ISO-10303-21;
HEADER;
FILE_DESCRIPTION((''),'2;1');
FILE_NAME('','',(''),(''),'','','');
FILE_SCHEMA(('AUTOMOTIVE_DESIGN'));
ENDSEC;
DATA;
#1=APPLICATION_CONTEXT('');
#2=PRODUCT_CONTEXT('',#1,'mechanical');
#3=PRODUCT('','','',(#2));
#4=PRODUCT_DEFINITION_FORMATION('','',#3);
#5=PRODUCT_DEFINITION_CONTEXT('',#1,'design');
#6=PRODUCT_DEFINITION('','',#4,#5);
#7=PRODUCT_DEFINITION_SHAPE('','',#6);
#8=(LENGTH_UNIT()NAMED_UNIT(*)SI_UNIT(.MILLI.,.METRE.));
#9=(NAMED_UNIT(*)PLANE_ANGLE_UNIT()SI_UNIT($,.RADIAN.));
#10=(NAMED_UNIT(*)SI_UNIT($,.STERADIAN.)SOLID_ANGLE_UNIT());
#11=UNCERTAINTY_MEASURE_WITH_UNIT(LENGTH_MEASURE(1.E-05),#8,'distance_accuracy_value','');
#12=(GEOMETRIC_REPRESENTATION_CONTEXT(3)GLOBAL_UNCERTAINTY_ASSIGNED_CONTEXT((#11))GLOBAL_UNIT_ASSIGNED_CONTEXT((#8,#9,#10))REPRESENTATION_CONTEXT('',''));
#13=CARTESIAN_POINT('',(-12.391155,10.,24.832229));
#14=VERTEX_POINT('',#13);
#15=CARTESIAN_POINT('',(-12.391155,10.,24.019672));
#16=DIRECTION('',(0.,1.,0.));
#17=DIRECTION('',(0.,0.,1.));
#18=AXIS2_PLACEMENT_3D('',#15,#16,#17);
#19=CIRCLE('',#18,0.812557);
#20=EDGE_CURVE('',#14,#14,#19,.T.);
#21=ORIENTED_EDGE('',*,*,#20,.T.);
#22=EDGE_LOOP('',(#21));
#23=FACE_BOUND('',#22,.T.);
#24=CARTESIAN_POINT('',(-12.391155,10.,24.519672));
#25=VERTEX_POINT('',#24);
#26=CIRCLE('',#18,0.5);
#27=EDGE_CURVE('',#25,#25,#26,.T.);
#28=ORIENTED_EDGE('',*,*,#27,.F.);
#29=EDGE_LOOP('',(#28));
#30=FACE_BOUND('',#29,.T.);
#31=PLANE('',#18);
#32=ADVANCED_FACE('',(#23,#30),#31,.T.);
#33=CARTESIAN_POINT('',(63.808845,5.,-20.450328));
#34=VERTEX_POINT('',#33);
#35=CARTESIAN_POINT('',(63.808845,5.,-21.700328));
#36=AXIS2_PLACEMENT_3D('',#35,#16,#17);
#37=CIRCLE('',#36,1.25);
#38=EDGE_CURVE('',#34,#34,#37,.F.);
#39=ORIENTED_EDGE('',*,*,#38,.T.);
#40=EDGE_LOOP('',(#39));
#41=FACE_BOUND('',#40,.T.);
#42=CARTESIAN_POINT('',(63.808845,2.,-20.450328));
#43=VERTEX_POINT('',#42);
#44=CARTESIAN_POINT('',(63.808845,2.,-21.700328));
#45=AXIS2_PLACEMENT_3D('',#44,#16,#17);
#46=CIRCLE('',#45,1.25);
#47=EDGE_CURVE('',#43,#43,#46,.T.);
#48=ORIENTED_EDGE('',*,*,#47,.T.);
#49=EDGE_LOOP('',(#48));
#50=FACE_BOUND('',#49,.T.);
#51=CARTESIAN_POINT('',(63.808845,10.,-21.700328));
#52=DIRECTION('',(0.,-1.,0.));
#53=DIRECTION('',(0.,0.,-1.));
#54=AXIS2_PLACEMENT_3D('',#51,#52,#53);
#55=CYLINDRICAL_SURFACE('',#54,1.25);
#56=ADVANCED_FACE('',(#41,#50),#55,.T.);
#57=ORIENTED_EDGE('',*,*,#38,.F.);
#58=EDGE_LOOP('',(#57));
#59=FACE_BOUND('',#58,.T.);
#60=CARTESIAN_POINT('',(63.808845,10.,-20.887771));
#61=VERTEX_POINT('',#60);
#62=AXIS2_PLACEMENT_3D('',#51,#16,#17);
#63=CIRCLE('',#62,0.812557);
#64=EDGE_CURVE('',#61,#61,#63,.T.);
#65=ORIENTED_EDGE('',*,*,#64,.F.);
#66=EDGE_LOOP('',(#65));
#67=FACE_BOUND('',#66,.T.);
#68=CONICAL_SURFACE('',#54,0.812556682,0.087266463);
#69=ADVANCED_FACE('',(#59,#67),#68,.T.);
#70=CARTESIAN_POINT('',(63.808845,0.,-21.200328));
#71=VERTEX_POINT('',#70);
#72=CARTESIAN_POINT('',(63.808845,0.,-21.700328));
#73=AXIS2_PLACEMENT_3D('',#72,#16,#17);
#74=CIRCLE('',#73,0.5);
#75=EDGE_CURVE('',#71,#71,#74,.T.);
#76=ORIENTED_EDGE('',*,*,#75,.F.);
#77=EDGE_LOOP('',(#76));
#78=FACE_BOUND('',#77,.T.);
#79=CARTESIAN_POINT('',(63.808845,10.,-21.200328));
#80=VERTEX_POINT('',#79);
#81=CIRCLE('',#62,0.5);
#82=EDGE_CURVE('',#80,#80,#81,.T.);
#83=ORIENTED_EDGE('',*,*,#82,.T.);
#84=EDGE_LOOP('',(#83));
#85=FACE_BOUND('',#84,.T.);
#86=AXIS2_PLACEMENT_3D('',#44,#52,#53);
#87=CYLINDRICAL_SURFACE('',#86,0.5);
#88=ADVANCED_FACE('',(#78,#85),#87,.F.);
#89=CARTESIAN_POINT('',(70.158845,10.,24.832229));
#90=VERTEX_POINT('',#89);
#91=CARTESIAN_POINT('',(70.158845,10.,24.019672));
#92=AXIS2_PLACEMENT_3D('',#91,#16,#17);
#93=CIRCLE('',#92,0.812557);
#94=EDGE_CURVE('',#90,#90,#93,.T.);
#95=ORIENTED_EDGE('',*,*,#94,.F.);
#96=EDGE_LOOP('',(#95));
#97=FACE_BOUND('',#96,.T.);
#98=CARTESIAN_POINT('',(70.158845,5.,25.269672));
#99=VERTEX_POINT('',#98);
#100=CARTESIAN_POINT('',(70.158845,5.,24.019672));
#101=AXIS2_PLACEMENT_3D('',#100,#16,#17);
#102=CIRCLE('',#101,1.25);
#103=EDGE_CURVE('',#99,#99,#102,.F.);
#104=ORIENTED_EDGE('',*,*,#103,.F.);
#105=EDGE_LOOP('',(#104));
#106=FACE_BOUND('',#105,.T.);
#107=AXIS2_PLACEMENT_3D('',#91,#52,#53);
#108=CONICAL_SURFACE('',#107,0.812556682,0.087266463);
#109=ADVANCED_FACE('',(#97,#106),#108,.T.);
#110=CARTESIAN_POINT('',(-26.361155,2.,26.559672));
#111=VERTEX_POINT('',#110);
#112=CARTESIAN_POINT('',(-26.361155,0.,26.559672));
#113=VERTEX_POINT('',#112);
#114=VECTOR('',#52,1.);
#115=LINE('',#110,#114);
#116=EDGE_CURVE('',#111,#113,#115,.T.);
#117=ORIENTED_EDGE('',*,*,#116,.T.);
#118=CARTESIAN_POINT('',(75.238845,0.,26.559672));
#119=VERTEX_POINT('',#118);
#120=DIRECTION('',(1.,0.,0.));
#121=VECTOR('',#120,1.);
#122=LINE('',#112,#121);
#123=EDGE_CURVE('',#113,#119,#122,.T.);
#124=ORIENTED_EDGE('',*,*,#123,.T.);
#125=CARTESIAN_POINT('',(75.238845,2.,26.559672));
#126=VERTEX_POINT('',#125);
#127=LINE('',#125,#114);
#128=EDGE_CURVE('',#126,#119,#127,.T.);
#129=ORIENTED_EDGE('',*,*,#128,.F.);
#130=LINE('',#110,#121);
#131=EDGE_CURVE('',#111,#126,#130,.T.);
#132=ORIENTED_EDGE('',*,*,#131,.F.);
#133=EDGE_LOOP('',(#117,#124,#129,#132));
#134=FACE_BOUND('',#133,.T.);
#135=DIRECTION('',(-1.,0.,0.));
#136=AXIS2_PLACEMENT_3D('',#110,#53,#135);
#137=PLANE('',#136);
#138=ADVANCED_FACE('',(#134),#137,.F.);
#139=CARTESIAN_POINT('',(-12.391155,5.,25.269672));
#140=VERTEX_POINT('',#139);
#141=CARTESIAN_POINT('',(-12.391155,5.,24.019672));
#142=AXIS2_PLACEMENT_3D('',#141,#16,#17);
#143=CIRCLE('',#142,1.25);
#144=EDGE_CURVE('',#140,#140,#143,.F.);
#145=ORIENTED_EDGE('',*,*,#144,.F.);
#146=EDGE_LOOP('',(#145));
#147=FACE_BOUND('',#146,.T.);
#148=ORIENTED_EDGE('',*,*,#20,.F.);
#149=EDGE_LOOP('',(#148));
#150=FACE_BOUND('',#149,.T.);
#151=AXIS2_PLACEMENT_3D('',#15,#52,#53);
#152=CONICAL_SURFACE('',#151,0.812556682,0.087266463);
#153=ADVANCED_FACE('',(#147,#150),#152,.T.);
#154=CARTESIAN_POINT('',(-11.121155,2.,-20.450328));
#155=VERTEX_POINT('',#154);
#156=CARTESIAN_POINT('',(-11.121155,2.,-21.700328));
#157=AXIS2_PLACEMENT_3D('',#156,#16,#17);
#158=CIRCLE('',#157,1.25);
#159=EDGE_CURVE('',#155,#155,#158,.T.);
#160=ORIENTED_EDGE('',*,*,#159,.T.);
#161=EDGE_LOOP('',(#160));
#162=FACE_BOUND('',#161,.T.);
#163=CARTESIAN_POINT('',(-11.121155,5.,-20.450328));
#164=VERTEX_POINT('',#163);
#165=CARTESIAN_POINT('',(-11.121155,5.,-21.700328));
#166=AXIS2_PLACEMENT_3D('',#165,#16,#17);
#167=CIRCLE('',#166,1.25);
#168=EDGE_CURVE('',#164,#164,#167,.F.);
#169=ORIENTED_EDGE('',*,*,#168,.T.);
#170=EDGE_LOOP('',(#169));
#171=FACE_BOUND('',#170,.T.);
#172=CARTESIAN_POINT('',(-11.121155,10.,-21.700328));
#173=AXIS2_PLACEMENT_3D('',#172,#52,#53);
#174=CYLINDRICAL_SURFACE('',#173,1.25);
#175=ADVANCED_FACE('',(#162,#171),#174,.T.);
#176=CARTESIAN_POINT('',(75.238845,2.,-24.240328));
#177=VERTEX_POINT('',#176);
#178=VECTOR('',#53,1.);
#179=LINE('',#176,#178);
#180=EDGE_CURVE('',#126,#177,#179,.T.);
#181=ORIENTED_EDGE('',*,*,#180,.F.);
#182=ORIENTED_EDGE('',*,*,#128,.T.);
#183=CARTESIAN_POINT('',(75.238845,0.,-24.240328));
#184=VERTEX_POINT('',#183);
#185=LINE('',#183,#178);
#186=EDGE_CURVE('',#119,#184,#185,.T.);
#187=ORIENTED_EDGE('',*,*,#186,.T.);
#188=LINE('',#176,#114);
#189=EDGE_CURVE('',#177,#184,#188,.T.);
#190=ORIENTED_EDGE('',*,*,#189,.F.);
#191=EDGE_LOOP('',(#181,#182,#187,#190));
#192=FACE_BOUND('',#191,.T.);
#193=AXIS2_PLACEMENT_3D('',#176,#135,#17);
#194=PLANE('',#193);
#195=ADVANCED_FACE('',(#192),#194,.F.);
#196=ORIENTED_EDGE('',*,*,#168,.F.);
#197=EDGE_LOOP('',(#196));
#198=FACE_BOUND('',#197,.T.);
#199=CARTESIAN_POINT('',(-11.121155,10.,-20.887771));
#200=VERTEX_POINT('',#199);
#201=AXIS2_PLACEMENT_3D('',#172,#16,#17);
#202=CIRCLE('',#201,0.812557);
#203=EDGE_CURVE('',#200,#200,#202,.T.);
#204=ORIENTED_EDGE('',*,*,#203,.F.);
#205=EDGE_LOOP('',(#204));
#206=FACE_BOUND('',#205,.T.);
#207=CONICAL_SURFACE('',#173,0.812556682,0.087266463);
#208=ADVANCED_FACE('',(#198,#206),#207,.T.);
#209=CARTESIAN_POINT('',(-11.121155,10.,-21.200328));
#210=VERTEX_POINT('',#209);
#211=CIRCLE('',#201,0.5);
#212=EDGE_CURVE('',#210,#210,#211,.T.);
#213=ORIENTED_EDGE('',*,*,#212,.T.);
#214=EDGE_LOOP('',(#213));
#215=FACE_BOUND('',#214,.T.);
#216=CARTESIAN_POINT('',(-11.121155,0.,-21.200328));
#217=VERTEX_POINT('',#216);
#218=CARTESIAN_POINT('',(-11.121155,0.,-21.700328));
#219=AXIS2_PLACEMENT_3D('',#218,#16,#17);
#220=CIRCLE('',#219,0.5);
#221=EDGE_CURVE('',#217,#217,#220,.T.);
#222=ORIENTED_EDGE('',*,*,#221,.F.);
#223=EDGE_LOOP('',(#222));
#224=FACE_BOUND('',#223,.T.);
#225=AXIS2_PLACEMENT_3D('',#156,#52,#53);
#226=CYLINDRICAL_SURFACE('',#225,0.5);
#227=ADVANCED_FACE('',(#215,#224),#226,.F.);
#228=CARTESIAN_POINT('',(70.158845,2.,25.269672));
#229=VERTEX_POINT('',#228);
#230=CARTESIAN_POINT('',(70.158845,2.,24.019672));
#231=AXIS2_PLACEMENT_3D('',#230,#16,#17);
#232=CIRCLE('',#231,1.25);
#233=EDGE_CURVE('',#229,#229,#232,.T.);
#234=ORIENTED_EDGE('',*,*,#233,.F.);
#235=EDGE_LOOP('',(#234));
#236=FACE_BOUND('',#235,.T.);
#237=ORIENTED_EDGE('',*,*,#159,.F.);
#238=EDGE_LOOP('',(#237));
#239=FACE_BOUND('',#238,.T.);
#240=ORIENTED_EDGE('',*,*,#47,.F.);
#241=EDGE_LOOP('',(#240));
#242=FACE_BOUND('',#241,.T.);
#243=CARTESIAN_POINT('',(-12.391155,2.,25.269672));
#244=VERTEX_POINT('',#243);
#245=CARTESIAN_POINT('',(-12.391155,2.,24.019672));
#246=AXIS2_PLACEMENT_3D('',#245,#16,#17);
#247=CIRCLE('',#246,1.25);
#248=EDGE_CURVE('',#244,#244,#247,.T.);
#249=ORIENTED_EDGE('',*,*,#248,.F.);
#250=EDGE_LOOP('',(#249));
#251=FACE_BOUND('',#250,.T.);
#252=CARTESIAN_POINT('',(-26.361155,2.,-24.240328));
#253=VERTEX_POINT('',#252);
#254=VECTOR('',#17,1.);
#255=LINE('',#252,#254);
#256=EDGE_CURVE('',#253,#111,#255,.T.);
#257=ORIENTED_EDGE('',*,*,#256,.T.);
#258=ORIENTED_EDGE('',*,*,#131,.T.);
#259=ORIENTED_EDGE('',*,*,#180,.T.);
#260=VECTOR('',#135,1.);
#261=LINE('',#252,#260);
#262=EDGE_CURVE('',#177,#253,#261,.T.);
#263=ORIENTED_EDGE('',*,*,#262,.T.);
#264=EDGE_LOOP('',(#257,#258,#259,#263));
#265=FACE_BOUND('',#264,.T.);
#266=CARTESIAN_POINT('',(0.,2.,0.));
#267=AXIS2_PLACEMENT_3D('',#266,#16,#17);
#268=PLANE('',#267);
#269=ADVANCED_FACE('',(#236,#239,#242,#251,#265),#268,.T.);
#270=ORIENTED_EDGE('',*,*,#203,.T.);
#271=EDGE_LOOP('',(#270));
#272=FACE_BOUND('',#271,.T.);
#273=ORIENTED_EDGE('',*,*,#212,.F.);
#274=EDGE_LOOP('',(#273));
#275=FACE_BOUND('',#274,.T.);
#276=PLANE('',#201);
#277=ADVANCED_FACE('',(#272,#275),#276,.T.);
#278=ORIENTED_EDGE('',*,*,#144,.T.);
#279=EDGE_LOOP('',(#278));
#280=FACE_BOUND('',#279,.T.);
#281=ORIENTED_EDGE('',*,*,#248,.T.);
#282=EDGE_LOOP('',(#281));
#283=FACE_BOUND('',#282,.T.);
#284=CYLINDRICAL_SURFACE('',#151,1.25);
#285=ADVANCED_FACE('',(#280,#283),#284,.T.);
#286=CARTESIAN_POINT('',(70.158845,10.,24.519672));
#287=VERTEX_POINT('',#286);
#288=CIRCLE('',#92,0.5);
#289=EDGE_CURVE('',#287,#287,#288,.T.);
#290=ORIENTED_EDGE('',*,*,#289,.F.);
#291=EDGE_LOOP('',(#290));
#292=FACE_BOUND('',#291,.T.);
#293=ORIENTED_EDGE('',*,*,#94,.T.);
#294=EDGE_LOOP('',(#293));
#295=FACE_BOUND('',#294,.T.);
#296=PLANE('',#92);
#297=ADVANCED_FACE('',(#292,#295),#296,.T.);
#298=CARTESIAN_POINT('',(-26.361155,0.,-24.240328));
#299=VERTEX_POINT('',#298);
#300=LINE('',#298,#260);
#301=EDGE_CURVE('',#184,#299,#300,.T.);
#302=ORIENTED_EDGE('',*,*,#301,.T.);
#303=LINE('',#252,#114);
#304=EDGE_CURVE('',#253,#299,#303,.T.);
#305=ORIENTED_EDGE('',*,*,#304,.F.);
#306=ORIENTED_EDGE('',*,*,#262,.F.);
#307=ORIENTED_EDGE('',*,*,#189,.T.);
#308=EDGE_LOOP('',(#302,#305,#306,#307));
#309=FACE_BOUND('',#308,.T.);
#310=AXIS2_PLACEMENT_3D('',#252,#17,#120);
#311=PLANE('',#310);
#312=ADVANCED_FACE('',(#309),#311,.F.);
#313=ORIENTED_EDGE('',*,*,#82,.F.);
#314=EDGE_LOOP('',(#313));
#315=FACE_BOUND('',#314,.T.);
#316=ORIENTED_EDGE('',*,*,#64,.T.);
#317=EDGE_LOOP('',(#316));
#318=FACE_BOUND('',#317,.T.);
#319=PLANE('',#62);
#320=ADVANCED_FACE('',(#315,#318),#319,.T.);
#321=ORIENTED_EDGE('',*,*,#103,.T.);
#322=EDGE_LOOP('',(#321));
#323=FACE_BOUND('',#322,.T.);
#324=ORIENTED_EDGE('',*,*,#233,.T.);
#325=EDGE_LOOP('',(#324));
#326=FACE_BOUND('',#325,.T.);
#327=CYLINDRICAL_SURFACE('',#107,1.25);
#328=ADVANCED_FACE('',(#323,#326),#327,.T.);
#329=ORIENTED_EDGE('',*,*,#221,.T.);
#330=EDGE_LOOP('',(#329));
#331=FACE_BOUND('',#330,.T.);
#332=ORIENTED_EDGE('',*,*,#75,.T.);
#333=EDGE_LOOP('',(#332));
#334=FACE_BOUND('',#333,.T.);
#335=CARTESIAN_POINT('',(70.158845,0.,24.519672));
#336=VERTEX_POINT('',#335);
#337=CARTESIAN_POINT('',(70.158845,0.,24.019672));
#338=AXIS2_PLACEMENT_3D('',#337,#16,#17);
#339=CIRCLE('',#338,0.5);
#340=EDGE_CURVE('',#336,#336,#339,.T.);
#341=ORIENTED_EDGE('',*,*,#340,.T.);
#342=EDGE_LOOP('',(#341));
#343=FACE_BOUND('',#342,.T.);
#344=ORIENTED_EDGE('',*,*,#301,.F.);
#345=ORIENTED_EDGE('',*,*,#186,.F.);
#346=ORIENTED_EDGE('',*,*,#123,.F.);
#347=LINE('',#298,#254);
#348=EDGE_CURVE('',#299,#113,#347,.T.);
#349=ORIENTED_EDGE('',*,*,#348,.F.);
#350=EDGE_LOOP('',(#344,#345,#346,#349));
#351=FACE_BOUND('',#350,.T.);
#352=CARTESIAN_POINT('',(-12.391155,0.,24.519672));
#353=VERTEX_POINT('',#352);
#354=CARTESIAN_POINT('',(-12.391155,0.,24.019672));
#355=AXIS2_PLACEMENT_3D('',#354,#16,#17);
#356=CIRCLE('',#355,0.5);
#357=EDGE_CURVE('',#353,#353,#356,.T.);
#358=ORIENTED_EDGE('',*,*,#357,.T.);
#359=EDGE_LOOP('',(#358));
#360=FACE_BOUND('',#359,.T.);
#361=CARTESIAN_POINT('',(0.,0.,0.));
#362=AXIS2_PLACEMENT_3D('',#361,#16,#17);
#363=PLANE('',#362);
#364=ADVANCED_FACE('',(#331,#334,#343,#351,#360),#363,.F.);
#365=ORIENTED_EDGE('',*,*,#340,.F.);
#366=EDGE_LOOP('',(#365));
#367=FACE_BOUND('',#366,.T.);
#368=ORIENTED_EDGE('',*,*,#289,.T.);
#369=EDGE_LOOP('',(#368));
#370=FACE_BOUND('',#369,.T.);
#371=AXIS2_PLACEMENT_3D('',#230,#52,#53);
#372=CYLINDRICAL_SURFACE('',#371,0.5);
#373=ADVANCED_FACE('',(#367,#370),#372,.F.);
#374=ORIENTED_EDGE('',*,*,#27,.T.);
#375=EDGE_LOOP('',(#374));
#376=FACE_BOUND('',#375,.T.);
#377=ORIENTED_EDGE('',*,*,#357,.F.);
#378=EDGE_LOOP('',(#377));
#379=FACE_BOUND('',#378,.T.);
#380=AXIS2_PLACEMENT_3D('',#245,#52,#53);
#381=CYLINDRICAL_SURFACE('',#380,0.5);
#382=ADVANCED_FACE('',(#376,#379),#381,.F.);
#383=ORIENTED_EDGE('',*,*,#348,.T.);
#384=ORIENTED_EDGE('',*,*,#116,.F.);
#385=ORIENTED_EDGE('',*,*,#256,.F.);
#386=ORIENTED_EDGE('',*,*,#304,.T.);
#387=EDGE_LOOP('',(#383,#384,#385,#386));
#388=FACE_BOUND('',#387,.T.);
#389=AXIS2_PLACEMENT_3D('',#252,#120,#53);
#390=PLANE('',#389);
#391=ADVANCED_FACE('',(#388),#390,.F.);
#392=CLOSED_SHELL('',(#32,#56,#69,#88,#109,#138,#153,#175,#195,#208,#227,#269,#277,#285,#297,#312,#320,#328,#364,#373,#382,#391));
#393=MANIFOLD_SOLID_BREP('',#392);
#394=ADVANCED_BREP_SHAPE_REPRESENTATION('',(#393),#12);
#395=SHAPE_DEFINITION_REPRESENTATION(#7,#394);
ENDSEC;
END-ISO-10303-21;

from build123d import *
from OCP.BRepFilletAPI import BRepFilletAPI_MakeChamfer

# Parameters (mm, degrees)
SKETCH1_W           = 101.6
SKETCH1_H           = 50.8
SKETCH1_R           = 0.5
BOSS_EXTRUDE1_DEPTH = 2
SKETCH2_R           = 1.25
SKETCH2_R_2         = 0.5
BOSS_EXTRUDE2_DEPTH = 8
CHAMFER1_SIZE       = 5
CHAMFER1_SIZE2      = 0.437443318


with BuildPart() as part:
    # Sketch1 → Boss-Extrude1 (new body)
    with BuildSketch(Plane(origin=(0, 0, 0), x_dir=(1, 0, 0), z_dir=(0, 1, 0))):
        with Locations((24.438845131, -1.159672083)):
            Rectangle(SKETCH1_W, SKETCH1_H)
        with Locations(Location((-11.121154869, 21.700327917, 0), (0, 0, 270))):
            Circle(SKETCH1_R, mode=Mode.SUBTRACT)
        with Locations(Location((-12.391154869, -24.019672083, 0), (0, 0, 270))):
            Circle(SKETCH1_R, mode=Mode.SUBTRACT)
        with Locations(Location((63.808845131, 21.700327917, 0), (0, 0, 270))):
            Circle(SKETCH1_R, mode=Mode.SUBTRACT)
        with Locations(Location((70.158845131, -24.019672083, 0), (0, 0, 270))):
            Circle(SKETCH1_R, mode=Mode.SUBTRACT)
    extrude(amount=BOSS_EXTRUDE1_DEPTH)

    # Sketch2 → Boss-Extrude2 (add)
    # profile 1 of 4: a face of its own
    with BuildSketch(Plane(origin=(0, 2, 0), x_dir=(1, 0, 0), z_dir=(0, 1, 0))):
        with Locations(Location((-11.121154869, 21.700327917, 0), (0, 0, 270))):
            Circle(SKETCH2_R)
        with Locations(Location((-11.121154869, 21.700327917, 0), (0, 0, 270))):
            Circle(SKETCH2_R_2, mode=Mode.SUBTRACT)
    # profile 2 of 4: a face of its own
    with BuildSketch(Plane(origin=(0, 2, 0), x_dir=(1, 0, 0), z_dir=(0, 1, 0))):
        with Locations(Location((-12.391154869, -24.019672083, 0), (0, 0, 270))):
            Circle(SKETCH2_R)
        with Locations(Location((-12.391154869, -24.019672083, 0), (0, 0, 270))):
            Circle(SKETCH2_R_2, mode=Mode.SUBTRACT)
    # profile 3 of 4: a face of its own
    with BuildSketch(Plane(origin=(0, 2, 0), x_dir=(1, 0, 0), z_dir=(0, 1, 0))):
        with Locations(Location((70.158845131, -24.019672083, 0), (0, 0, 270))):
            Circle(SKETCH2_R)
        with Locations(Location((70.158845131, -24.019672083, 0), (0, 0, 270))):
            Circle(SKETCH2_R_2, mode=Mode.SUBTRACT)
    # profile 4 of 4: a face of its own
    with BuildSketch(Plane(origin=(0, 2, 0), x_dir=(1, 0, 0), z_dir=(0, 1, 0))):
        with Locations(Location((63.808845131, 21.700327917, 0), (0, 0, 270))):
            Circle(SKETCH2_R)
        with Locations(Location((63.808845131, 21.700327917, 0), (0, 0, 270))):
            Circle(SKETCH2_R_2, mode=Mode.SUBTRACT)
    extrude(amount=BOSS_EXTRUDE2_DEPTH)

    # Chamfer1: one chamfer whose edges measure the first distance from different faces: ONE call of the kernel's chamfer builder (chamfer() names one face for all edges)
    chamfer1_edges_1 = [part.edges().sort_by_distance(p)[0] for p in [
        (-11.121154869, 10, -22.950327917),
    ]]
    chamfer1_side_1 = [part.faces().sort_by_distance(p)[0] for p in [
        (-11.121154869, 6, -22.950327917),
    ]]
    chamfer1_edges_2 = [part.edges().sort_by_distance(p)[0] for p in [
        (-12.391154869, 10, 22.769672083),
    ]]
    chamfer1_side_2 = [part.faces().sort_by_distance(p)[0] for p in [
        (-12.391154869, 6, 22.769672083),
    ]]
    chamfer1_edges_3 = [part.edges().sort_by_distance(p)[0] for p in [
        (70.158845131, 10, 22.769672083),
    ]]
    chamfer1_side_3 = [part.faces().sort_by_distance(p)[0] for p in [
        (70.158845131, 6, 22.769672083),
    ]]
    chamfer1_edges_4 = [part.edges().sort_by_distance(p)[0] for p in [
        (63.808845131, 10, -22.950327917),
    ]]
    chamfer1_side_4 = [part.faces().sort_by_distance(p)[0] for p in [
        (63.808845131, 6, -22.950327917),
    ]]
    chamfer1 = BRepFilletAPI_MakeChamfer(part.part.solid().wrapped)
    for e in chamfer1_edges_1:
        chamfer1.Add(CHAMFER1_SIZE, CHAMFER1_SIZE2, e.wrapped, chamfer1_side_1[0].wrapped)  # the first distance lies on this face
    for e in chamfer1_edges_2:
        chamfer1.Add(CHAMFER1_SIZE, CHAMFER1_SIZE2, e.wrapped, chamfer1_side_2[0].wrapped)  # the first distance lies on this face
    for e in chamfer1_edges_3:
        chamfer1.Add(CHAMFER1_SIZE, CHAMFER1_SIZE2, e.wrapped, chamfer1_side_3[0].wrapped)  # the first distance lies on this face
    for e in chamfer1_edges_4:
        chamfer1.Add(CHAMFER1_SIZE, CHAMFER1_SIZE2, e.wrapped, chamfer1_side_4[0].wrapped)  # the first distance lies on this face
    add(Compound.cast(chamfer1.Shape()), mode=Mode.REPLACE)


solid = part.part
